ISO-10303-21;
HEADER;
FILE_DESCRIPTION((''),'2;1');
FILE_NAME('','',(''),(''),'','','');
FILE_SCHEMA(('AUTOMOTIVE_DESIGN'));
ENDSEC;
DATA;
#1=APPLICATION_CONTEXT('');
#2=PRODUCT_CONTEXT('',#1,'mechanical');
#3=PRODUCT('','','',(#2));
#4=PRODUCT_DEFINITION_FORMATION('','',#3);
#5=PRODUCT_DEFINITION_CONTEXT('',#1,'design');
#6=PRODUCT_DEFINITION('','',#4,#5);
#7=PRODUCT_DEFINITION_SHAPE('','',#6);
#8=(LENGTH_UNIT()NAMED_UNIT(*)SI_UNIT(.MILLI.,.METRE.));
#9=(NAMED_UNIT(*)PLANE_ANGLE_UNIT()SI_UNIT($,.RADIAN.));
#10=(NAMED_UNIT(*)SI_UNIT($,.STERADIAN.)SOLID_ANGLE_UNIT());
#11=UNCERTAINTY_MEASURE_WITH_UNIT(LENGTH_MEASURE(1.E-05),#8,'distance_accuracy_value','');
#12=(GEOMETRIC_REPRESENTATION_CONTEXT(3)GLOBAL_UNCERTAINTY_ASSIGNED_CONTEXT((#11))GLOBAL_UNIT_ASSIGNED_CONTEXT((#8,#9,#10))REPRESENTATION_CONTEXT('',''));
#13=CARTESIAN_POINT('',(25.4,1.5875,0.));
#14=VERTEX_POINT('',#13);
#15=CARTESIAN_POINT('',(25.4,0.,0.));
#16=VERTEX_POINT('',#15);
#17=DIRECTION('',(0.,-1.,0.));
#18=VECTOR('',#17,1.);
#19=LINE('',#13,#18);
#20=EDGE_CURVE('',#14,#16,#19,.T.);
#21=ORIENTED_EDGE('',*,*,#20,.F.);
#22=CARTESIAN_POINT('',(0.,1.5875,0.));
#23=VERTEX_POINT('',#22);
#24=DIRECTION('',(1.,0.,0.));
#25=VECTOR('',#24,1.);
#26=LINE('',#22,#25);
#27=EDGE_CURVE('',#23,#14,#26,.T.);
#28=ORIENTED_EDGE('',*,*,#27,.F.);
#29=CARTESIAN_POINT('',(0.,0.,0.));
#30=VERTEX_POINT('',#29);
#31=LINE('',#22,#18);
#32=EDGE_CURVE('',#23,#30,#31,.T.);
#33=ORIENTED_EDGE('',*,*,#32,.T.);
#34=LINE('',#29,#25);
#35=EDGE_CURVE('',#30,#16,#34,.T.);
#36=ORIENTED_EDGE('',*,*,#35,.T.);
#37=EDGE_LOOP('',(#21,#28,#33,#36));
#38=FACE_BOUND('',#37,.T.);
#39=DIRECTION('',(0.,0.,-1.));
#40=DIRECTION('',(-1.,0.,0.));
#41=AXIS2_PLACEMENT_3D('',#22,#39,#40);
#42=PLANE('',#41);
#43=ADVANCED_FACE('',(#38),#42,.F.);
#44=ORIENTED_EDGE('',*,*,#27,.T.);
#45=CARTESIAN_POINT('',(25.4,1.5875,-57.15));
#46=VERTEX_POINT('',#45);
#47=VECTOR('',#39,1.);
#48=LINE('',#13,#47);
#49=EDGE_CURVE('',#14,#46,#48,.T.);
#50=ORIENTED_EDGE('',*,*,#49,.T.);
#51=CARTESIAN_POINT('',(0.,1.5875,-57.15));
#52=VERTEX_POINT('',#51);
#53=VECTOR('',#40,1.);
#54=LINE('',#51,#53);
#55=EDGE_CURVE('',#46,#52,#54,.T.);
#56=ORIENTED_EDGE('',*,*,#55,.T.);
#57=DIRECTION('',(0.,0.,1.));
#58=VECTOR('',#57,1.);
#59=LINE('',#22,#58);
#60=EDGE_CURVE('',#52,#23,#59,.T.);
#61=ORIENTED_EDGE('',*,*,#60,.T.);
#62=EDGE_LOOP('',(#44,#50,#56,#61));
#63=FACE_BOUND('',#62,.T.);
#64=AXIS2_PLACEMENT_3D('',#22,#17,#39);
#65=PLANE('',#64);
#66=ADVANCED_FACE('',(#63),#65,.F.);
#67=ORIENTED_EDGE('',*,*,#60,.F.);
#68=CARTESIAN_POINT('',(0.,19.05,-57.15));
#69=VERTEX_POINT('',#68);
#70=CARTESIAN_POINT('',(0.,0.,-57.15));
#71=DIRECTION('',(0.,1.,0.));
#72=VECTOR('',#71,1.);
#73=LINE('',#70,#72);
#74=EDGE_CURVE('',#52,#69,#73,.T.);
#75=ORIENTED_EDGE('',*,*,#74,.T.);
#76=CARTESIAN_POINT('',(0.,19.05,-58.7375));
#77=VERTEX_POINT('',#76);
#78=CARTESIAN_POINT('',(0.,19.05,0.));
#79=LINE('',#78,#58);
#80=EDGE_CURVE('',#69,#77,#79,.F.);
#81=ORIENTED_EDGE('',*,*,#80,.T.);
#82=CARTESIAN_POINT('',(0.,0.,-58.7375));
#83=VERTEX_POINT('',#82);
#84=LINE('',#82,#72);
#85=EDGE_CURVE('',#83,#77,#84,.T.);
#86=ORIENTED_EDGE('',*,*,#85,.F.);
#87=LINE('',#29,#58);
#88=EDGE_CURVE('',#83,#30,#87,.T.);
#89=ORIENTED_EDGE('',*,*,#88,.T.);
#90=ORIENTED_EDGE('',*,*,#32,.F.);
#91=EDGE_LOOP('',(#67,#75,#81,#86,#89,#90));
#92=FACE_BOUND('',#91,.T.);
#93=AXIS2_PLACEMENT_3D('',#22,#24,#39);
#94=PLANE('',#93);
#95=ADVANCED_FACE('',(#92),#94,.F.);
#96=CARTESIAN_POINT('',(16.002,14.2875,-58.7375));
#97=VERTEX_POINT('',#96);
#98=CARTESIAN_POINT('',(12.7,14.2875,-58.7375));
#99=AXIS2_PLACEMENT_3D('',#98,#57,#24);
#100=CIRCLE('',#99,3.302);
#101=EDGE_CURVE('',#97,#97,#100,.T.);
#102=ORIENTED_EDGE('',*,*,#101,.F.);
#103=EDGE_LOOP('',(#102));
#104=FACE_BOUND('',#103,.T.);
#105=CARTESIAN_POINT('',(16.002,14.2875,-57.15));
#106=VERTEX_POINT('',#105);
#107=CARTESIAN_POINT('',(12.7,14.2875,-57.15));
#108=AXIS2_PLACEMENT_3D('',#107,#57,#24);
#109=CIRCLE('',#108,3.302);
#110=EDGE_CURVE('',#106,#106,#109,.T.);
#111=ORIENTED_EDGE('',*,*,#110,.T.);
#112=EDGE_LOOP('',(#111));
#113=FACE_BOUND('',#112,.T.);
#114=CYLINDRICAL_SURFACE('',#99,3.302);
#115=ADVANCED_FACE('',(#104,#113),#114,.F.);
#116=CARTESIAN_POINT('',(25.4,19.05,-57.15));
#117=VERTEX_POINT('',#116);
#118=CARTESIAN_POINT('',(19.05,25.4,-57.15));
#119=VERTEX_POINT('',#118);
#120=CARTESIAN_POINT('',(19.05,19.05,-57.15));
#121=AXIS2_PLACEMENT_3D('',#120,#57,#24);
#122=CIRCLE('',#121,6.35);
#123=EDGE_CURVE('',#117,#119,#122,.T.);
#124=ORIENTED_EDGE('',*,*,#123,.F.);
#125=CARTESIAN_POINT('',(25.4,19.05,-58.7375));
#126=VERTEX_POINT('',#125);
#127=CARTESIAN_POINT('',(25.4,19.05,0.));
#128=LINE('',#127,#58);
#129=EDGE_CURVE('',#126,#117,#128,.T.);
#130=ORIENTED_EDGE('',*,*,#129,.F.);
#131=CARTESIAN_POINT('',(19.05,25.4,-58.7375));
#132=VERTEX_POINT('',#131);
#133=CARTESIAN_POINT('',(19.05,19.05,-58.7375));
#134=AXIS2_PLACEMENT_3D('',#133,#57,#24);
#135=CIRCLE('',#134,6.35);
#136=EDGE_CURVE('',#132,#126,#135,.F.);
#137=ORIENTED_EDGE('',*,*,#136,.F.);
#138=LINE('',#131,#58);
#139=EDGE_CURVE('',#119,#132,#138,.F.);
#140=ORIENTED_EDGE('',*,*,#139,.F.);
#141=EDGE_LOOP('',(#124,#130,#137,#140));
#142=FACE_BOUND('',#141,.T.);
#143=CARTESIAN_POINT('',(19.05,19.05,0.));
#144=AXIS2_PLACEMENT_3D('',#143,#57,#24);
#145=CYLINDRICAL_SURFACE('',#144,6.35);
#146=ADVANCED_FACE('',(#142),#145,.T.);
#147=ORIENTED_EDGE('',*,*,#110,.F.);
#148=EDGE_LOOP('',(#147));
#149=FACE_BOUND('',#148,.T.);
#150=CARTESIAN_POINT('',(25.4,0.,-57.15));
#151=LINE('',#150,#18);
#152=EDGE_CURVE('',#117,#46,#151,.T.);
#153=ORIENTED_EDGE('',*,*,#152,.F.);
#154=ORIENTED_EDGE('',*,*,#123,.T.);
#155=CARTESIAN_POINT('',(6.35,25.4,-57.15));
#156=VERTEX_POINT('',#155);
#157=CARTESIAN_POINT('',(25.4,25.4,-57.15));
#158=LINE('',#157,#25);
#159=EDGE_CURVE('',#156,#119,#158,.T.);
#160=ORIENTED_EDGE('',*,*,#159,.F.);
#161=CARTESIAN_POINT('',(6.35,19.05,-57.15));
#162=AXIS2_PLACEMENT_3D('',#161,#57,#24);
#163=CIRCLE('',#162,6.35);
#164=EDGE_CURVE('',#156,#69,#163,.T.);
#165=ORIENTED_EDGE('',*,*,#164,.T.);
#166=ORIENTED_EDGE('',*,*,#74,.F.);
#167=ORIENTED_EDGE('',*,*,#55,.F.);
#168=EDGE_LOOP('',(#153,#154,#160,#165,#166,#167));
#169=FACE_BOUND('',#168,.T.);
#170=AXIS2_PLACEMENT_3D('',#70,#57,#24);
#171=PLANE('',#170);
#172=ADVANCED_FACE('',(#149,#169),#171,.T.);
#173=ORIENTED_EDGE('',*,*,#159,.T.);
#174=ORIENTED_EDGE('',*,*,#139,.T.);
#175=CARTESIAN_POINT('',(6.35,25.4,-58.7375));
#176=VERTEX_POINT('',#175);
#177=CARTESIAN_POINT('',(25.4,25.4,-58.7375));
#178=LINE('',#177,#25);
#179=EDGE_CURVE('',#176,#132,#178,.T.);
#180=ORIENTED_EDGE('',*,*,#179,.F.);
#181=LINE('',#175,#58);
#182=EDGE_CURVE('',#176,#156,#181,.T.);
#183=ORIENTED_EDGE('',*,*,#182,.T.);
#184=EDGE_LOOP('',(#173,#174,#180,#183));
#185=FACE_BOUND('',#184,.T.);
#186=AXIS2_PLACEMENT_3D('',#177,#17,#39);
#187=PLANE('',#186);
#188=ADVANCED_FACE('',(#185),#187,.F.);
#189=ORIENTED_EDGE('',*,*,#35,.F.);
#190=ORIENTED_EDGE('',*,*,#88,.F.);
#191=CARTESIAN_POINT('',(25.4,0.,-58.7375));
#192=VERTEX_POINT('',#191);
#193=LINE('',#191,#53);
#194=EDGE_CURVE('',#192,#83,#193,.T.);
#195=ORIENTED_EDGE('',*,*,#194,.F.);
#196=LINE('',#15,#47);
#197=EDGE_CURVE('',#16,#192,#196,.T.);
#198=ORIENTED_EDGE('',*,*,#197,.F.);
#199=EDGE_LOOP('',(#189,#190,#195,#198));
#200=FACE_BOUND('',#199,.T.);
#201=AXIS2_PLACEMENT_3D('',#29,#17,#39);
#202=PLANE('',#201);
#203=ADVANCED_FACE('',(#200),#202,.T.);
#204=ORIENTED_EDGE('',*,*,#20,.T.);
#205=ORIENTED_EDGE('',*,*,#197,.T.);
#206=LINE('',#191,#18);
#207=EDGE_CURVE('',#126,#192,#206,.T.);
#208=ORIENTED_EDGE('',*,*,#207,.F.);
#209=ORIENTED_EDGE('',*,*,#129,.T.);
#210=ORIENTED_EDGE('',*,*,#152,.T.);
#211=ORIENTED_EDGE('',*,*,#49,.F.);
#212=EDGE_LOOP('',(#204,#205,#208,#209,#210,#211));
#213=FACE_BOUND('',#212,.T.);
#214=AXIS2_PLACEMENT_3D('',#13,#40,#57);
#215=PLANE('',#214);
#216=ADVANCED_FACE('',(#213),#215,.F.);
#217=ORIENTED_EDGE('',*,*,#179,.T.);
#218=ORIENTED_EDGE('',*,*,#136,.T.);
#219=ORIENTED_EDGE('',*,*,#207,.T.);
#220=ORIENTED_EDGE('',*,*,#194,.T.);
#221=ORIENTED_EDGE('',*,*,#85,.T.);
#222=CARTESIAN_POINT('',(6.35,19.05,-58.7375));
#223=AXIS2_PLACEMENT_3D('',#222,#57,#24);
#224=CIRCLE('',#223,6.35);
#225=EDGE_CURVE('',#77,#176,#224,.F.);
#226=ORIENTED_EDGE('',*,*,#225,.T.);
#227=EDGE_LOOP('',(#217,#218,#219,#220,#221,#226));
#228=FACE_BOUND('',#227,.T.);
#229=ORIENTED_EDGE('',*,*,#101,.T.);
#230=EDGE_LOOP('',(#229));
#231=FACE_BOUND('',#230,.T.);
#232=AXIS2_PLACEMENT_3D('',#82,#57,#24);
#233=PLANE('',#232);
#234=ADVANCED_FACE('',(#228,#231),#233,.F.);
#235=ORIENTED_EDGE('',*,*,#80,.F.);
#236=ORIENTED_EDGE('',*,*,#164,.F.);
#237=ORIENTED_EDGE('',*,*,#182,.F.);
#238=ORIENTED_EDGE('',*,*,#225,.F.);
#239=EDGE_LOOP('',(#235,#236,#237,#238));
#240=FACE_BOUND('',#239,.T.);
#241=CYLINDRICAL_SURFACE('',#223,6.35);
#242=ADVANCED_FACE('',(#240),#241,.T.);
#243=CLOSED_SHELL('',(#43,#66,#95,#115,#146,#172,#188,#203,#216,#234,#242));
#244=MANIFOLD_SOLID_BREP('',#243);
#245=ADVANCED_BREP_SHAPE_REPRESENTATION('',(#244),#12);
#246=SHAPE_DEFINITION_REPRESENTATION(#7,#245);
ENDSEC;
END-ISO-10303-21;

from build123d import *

# Parameters (mm, degrees)
SKETCH1_W           = 25.4
SKETCH1_H           = 57.15
BOSS_EXTRUDE1_DEPTH = 1.5875
SKETCH2_W           = 25.4
SKETCH2_H           = 25.4
BOSS_EXTRUDE2_DEPTH = 1.5875
SKETCH3_R           = 3.302
CUT_EXTRUDE1_DEPTH  = 68.501425911
FILLET1_R           = 6.35


with BuildPart() as part:
    # Sketch1 → Boss-Extrude1 (new body)
    with BuildSketch(Plane(origin=(0, 0, 0), x_dir=(1, 0, 0), z_dir=(0, 1, 0))):
        with Locations((12.7, 28.575)):
            Rectangle(SKETCH1_W, SKETCH1_H)
    extrude(amount=BOSS_EXTRUDE1_DEPTH)

    # Sketch2 → Boss-Extrude2 (add)
    with BuildSketch(Plane(origin=(0, 0, -57.15), x_dir=(-1, 0, 0), z_dir=(0, 0, -1))):
        with Locations((-12.7, 12.7)):
            Rectangle(SKETCH2_W, SKETCH2_H)
    extrude(amount=BOSS_EXTRUDE2_DEPTH)

    # Sketch3 → Cut-Extrude1 (cut, through all)
    with BuildSketch(Plane.XY.offset(-57.15)):
        with Locations((12.7, 14.2875)):
            Circle(SKETCH3_R)
    extrude(amount=-CUT_EXTRUDE1_DEPTH, mode=Mode.SUBTRACT)

    # Fillet1
    fillet1_edges = [part.edges().sort_by_distance(p)[0] for p in [
        (25.4, 25.4, -57.94375),
        (0, 25.4, -57.94375),
    ]]
    fillet(fillet1_edges, radius=FILLET1_R)


solid = part.part
